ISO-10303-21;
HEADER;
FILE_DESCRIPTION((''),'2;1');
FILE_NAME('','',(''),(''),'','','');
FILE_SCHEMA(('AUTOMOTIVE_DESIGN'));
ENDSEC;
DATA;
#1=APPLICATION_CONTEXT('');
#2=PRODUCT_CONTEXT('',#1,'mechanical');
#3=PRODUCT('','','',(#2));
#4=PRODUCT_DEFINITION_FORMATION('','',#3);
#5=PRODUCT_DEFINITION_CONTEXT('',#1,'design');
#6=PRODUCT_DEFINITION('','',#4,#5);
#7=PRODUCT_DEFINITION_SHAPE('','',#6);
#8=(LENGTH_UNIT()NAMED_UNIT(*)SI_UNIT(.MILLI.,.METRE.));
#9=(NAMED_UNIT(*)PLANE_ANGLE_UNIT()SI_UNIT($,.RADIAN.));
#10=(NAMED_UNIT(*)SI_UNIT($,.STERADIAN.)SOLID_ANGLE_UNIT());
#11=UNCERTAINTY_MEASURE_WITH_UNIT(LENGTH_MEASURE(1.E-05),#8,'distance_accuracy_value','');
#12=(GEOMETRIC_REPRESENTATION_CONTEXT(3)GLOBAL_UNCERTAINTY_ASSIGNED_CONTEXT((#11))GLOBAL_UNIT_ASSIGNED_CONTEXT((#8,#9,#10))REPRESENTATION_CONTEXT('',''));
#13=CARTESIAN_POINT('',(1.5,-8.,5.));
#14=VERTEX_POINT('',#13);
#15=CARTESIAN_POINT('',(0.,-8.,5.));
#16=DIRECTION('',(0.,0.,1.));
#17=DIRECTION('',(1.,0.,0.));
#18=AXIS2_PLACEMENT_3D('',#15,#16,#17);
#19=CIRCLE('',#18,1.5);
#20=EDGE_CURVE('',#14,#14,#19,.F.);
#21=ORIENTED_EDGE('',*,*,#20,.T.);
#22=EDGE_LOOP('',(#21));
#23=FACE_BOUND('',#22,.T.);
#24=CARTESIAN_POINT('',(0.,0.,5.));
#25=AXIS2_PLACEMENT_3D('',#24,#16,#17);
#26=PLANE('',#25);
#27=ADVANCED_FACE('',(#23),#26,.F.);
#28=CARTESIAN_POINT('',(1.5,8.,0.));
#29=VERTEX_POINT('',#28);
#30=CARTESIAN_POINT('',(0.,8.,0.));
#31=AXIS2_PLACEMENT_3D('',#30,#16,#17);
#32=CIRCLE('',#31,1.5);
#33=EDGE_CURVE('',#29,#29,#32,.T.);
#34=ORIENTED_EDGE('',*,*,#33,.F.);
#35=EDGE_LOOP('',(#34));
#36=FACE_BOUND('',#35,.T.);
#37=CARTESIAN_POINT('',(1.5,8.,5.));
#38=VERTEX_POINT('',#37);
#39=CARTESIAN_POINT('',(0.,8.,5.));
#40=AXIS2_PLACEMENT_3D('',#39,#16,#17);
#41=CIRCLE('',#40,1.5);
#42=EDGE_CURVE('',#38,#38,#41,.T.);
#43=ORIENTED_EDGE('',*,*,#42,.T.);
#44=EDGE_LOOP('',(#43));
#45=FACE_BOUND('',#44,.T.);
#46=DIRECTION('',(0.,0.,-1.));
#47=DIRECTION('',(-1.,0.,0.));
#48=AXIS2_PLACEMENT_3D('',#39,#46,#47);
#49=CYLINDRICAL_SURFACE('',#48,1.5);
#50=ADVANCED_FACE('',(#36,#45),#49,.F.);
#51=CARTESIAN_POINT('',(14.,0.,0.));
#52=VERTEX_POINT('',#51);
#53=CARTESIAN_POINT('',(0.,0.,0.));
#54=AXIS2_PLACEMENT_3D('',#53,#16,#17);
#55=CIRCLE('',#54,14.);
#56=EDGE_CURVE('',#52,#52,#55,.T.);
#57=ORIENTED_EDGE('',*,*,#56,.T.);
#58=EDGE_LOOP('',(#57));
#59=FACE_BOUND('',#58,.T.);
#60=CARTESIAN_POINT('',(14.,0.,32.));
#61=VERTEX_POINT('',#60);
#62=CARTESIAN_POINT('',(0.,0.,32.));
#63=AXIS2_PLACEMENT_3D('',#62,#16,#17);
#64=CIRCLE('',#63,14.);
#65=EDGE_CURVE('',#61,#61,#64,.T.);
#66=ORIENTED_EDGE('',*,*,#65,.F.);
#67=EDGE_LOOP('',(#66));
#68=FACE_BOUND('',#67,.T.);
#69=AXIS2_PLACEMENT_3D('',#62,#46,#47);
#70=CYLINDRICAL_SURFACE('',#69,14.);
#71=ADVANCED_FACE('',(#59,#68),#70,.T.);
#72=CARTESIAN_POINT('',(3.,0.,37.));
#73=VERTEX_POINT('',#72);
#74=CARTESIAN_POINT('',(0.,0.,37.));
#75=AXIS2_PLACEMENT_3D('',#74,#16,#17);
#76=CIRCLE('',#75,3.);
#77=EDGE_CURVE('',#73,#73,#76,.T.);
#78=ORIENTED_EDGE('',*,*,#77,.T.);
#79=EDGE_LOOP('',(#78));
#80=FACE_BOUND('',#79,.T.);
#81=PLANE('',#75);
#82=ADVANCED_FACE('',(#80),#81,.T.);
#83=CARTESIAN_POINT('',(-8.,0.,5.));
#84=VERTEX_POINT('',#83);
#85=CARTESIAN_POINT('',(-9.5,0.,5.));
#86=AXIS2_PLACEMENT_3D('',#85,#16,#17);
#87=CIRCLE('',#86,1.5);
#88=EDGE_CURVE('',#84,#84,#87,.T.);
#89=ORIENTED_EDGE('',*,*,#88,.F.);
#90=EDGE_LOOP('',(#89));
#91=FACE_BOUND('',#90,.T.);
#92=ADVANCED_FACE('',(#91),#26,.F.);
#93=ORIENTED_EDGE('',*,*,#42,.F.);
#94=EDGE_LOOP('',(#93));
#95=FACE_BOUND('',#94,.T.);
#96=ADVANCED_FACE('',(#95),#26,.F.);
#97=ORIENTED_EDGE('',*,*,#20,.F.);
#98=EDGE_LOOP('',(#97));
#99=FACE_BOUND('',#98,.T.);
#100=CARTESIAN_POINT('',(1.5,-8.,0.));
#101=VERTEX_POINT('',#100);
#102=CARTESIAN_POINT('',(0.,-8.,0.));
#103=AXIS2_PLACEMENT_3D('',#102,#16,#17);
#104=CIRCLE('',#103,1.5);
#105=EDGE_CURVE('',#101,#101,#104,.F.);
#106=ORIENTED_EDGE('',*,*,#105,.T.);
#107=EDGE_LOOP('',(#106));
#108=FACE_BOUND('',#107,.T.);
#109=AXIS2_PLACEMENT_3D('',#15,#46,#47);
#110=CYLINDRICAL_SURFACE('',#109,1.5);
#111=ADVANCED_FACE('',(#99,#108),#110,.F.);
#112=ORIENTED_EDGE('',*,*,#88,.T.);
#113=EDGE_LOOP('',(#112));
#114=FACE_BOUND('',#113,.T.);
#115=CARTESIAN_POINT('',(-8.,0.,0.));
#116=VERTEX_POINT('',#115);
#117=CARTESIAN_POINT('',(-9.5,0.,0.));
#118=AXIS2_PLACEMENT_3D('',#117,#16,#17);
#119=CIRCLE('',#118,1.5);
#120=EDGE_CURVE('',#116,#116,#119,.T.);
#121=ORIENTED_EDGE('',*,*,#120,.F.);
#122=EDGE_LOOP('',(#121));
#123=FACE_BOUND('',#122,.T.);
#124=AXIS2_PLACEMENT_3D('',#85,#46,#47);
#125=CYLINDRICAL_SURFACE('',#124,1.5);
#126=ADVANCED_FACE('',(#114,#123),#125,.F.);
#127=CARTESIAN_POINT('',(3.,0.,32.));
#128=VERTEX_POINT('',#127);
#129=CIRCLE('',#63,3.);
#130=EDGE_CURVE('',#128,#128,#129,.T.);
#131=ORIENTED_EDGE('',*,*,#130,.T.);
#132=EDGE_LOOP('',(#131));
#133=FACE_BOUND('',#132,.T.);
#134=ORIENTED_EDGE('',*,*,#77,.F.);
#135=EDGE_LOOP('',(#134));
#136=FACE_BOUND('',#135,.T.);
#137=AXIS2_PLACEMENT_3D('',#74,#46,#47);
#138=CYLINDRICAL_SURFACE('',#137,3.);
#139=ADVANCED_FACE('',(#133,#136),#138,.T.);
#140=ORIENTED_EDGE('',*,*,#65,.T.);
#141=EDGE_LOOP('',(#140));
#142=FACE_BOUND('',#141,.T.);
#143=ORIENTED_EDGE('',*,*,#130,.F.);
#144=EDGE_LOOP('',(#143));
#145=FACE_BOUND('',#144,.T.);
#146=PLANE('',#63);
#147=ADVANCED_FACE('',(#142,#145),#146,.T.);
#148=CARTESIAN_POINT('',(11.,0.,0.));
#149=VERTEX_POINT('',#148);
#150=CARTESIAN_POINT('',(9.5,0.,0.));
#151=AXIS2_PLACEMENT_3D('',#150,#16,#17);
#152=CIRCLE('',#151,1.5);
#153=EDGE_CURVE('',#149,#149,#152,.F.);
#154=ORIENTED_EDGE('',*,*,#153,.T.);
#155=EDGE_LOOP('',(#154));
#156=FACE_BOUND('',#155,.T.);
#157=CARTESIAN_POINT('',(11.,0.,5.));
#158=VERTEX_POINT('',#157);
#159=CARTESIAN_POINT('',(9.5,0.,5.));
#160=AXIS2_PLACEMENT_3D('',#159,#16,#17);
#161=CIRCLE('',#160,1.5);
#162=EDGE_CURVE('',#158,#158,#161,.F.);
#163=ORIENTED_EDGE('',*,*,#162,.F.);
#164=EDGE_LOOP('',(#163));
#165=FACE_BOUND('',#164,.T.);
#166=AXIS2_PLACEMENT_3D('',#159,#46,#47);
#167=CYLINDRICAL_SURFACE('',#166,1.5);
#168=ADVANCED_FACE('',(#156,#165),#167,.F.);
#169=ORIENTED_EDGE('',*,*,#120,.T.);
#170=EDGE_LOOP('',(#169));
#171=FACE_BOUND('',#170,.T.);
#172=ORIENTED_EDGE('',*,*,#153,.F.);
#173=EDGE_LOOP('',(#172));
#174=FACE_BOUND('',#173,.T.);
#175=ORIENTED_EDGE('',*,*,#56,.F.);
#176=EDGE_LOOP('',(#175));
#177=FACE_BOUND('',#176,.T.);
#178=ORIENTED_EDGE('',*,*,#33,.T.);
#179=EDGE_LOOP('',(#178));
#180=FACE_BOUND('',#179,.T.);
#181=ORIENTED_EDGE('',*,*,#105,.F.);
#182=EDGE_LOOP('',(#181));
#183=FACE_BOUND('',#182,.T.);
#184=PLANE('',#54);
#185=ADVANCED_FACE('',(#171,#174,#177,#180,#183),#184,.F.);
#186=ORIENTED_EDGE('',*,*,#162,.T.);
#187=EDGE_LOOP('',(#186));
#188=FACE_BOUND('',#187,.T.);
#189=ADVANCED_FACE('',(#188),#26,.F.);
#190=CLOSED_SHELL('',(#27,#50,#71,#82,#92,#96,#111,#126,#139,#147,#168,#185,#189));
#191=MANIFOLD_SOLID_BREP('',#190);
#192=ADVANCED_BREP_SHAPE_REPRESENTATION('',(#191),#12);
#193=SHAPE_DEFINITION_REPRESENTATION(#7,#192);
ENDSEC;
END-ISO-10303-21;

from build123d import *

# Parameters (mm, degrees)
SKETCH1_R           = 14
BOSS_EXTRUDE1_DEPTH = 32
SKETCH1_3_R         = 1.5
CUT_EXTRUDE1_DEPTH  = 5
SKETCH2_R           = 3
BOSS_EXTRUDE2_DEPTH = 5


with BuildPart() as part:
    # Sketch1 → Boss-Extrude1 (new body)
    with BuildSketch(Plane.XY):
        Circle(SKETCH1_R)
    extrude(amount=BOSS_EXTRUDE1_DEPTH)

    # Sketch1<3> → Cut-Extrude1 (cut)
    with BuildSketch(Plane.XY):
        with Locations((-9.5, 0)):
            Circle(SKETCH1_3_R)
        with Locations((0, 8)):
            Circle(SKETCH1_3_R)
        with Locations((0, -8)):
            Circle(SKETCH1_3_R)
        with Locations((9.5, 0)):
            Circle(SKETCH1_3_R)
    extrude(amount=CUT_EXTRUDE1_DEPTH, mode=Mode.SUBTRACT)

    # Sketch2 → Boss-Extrude2 (add)
    with BuildSketch(Plane.XY.offset(32)):
        Circle(SKETCH2_R)
    extrude(amount=BOSS_EXTRUDE2_DEPTH)


solid = part.part
